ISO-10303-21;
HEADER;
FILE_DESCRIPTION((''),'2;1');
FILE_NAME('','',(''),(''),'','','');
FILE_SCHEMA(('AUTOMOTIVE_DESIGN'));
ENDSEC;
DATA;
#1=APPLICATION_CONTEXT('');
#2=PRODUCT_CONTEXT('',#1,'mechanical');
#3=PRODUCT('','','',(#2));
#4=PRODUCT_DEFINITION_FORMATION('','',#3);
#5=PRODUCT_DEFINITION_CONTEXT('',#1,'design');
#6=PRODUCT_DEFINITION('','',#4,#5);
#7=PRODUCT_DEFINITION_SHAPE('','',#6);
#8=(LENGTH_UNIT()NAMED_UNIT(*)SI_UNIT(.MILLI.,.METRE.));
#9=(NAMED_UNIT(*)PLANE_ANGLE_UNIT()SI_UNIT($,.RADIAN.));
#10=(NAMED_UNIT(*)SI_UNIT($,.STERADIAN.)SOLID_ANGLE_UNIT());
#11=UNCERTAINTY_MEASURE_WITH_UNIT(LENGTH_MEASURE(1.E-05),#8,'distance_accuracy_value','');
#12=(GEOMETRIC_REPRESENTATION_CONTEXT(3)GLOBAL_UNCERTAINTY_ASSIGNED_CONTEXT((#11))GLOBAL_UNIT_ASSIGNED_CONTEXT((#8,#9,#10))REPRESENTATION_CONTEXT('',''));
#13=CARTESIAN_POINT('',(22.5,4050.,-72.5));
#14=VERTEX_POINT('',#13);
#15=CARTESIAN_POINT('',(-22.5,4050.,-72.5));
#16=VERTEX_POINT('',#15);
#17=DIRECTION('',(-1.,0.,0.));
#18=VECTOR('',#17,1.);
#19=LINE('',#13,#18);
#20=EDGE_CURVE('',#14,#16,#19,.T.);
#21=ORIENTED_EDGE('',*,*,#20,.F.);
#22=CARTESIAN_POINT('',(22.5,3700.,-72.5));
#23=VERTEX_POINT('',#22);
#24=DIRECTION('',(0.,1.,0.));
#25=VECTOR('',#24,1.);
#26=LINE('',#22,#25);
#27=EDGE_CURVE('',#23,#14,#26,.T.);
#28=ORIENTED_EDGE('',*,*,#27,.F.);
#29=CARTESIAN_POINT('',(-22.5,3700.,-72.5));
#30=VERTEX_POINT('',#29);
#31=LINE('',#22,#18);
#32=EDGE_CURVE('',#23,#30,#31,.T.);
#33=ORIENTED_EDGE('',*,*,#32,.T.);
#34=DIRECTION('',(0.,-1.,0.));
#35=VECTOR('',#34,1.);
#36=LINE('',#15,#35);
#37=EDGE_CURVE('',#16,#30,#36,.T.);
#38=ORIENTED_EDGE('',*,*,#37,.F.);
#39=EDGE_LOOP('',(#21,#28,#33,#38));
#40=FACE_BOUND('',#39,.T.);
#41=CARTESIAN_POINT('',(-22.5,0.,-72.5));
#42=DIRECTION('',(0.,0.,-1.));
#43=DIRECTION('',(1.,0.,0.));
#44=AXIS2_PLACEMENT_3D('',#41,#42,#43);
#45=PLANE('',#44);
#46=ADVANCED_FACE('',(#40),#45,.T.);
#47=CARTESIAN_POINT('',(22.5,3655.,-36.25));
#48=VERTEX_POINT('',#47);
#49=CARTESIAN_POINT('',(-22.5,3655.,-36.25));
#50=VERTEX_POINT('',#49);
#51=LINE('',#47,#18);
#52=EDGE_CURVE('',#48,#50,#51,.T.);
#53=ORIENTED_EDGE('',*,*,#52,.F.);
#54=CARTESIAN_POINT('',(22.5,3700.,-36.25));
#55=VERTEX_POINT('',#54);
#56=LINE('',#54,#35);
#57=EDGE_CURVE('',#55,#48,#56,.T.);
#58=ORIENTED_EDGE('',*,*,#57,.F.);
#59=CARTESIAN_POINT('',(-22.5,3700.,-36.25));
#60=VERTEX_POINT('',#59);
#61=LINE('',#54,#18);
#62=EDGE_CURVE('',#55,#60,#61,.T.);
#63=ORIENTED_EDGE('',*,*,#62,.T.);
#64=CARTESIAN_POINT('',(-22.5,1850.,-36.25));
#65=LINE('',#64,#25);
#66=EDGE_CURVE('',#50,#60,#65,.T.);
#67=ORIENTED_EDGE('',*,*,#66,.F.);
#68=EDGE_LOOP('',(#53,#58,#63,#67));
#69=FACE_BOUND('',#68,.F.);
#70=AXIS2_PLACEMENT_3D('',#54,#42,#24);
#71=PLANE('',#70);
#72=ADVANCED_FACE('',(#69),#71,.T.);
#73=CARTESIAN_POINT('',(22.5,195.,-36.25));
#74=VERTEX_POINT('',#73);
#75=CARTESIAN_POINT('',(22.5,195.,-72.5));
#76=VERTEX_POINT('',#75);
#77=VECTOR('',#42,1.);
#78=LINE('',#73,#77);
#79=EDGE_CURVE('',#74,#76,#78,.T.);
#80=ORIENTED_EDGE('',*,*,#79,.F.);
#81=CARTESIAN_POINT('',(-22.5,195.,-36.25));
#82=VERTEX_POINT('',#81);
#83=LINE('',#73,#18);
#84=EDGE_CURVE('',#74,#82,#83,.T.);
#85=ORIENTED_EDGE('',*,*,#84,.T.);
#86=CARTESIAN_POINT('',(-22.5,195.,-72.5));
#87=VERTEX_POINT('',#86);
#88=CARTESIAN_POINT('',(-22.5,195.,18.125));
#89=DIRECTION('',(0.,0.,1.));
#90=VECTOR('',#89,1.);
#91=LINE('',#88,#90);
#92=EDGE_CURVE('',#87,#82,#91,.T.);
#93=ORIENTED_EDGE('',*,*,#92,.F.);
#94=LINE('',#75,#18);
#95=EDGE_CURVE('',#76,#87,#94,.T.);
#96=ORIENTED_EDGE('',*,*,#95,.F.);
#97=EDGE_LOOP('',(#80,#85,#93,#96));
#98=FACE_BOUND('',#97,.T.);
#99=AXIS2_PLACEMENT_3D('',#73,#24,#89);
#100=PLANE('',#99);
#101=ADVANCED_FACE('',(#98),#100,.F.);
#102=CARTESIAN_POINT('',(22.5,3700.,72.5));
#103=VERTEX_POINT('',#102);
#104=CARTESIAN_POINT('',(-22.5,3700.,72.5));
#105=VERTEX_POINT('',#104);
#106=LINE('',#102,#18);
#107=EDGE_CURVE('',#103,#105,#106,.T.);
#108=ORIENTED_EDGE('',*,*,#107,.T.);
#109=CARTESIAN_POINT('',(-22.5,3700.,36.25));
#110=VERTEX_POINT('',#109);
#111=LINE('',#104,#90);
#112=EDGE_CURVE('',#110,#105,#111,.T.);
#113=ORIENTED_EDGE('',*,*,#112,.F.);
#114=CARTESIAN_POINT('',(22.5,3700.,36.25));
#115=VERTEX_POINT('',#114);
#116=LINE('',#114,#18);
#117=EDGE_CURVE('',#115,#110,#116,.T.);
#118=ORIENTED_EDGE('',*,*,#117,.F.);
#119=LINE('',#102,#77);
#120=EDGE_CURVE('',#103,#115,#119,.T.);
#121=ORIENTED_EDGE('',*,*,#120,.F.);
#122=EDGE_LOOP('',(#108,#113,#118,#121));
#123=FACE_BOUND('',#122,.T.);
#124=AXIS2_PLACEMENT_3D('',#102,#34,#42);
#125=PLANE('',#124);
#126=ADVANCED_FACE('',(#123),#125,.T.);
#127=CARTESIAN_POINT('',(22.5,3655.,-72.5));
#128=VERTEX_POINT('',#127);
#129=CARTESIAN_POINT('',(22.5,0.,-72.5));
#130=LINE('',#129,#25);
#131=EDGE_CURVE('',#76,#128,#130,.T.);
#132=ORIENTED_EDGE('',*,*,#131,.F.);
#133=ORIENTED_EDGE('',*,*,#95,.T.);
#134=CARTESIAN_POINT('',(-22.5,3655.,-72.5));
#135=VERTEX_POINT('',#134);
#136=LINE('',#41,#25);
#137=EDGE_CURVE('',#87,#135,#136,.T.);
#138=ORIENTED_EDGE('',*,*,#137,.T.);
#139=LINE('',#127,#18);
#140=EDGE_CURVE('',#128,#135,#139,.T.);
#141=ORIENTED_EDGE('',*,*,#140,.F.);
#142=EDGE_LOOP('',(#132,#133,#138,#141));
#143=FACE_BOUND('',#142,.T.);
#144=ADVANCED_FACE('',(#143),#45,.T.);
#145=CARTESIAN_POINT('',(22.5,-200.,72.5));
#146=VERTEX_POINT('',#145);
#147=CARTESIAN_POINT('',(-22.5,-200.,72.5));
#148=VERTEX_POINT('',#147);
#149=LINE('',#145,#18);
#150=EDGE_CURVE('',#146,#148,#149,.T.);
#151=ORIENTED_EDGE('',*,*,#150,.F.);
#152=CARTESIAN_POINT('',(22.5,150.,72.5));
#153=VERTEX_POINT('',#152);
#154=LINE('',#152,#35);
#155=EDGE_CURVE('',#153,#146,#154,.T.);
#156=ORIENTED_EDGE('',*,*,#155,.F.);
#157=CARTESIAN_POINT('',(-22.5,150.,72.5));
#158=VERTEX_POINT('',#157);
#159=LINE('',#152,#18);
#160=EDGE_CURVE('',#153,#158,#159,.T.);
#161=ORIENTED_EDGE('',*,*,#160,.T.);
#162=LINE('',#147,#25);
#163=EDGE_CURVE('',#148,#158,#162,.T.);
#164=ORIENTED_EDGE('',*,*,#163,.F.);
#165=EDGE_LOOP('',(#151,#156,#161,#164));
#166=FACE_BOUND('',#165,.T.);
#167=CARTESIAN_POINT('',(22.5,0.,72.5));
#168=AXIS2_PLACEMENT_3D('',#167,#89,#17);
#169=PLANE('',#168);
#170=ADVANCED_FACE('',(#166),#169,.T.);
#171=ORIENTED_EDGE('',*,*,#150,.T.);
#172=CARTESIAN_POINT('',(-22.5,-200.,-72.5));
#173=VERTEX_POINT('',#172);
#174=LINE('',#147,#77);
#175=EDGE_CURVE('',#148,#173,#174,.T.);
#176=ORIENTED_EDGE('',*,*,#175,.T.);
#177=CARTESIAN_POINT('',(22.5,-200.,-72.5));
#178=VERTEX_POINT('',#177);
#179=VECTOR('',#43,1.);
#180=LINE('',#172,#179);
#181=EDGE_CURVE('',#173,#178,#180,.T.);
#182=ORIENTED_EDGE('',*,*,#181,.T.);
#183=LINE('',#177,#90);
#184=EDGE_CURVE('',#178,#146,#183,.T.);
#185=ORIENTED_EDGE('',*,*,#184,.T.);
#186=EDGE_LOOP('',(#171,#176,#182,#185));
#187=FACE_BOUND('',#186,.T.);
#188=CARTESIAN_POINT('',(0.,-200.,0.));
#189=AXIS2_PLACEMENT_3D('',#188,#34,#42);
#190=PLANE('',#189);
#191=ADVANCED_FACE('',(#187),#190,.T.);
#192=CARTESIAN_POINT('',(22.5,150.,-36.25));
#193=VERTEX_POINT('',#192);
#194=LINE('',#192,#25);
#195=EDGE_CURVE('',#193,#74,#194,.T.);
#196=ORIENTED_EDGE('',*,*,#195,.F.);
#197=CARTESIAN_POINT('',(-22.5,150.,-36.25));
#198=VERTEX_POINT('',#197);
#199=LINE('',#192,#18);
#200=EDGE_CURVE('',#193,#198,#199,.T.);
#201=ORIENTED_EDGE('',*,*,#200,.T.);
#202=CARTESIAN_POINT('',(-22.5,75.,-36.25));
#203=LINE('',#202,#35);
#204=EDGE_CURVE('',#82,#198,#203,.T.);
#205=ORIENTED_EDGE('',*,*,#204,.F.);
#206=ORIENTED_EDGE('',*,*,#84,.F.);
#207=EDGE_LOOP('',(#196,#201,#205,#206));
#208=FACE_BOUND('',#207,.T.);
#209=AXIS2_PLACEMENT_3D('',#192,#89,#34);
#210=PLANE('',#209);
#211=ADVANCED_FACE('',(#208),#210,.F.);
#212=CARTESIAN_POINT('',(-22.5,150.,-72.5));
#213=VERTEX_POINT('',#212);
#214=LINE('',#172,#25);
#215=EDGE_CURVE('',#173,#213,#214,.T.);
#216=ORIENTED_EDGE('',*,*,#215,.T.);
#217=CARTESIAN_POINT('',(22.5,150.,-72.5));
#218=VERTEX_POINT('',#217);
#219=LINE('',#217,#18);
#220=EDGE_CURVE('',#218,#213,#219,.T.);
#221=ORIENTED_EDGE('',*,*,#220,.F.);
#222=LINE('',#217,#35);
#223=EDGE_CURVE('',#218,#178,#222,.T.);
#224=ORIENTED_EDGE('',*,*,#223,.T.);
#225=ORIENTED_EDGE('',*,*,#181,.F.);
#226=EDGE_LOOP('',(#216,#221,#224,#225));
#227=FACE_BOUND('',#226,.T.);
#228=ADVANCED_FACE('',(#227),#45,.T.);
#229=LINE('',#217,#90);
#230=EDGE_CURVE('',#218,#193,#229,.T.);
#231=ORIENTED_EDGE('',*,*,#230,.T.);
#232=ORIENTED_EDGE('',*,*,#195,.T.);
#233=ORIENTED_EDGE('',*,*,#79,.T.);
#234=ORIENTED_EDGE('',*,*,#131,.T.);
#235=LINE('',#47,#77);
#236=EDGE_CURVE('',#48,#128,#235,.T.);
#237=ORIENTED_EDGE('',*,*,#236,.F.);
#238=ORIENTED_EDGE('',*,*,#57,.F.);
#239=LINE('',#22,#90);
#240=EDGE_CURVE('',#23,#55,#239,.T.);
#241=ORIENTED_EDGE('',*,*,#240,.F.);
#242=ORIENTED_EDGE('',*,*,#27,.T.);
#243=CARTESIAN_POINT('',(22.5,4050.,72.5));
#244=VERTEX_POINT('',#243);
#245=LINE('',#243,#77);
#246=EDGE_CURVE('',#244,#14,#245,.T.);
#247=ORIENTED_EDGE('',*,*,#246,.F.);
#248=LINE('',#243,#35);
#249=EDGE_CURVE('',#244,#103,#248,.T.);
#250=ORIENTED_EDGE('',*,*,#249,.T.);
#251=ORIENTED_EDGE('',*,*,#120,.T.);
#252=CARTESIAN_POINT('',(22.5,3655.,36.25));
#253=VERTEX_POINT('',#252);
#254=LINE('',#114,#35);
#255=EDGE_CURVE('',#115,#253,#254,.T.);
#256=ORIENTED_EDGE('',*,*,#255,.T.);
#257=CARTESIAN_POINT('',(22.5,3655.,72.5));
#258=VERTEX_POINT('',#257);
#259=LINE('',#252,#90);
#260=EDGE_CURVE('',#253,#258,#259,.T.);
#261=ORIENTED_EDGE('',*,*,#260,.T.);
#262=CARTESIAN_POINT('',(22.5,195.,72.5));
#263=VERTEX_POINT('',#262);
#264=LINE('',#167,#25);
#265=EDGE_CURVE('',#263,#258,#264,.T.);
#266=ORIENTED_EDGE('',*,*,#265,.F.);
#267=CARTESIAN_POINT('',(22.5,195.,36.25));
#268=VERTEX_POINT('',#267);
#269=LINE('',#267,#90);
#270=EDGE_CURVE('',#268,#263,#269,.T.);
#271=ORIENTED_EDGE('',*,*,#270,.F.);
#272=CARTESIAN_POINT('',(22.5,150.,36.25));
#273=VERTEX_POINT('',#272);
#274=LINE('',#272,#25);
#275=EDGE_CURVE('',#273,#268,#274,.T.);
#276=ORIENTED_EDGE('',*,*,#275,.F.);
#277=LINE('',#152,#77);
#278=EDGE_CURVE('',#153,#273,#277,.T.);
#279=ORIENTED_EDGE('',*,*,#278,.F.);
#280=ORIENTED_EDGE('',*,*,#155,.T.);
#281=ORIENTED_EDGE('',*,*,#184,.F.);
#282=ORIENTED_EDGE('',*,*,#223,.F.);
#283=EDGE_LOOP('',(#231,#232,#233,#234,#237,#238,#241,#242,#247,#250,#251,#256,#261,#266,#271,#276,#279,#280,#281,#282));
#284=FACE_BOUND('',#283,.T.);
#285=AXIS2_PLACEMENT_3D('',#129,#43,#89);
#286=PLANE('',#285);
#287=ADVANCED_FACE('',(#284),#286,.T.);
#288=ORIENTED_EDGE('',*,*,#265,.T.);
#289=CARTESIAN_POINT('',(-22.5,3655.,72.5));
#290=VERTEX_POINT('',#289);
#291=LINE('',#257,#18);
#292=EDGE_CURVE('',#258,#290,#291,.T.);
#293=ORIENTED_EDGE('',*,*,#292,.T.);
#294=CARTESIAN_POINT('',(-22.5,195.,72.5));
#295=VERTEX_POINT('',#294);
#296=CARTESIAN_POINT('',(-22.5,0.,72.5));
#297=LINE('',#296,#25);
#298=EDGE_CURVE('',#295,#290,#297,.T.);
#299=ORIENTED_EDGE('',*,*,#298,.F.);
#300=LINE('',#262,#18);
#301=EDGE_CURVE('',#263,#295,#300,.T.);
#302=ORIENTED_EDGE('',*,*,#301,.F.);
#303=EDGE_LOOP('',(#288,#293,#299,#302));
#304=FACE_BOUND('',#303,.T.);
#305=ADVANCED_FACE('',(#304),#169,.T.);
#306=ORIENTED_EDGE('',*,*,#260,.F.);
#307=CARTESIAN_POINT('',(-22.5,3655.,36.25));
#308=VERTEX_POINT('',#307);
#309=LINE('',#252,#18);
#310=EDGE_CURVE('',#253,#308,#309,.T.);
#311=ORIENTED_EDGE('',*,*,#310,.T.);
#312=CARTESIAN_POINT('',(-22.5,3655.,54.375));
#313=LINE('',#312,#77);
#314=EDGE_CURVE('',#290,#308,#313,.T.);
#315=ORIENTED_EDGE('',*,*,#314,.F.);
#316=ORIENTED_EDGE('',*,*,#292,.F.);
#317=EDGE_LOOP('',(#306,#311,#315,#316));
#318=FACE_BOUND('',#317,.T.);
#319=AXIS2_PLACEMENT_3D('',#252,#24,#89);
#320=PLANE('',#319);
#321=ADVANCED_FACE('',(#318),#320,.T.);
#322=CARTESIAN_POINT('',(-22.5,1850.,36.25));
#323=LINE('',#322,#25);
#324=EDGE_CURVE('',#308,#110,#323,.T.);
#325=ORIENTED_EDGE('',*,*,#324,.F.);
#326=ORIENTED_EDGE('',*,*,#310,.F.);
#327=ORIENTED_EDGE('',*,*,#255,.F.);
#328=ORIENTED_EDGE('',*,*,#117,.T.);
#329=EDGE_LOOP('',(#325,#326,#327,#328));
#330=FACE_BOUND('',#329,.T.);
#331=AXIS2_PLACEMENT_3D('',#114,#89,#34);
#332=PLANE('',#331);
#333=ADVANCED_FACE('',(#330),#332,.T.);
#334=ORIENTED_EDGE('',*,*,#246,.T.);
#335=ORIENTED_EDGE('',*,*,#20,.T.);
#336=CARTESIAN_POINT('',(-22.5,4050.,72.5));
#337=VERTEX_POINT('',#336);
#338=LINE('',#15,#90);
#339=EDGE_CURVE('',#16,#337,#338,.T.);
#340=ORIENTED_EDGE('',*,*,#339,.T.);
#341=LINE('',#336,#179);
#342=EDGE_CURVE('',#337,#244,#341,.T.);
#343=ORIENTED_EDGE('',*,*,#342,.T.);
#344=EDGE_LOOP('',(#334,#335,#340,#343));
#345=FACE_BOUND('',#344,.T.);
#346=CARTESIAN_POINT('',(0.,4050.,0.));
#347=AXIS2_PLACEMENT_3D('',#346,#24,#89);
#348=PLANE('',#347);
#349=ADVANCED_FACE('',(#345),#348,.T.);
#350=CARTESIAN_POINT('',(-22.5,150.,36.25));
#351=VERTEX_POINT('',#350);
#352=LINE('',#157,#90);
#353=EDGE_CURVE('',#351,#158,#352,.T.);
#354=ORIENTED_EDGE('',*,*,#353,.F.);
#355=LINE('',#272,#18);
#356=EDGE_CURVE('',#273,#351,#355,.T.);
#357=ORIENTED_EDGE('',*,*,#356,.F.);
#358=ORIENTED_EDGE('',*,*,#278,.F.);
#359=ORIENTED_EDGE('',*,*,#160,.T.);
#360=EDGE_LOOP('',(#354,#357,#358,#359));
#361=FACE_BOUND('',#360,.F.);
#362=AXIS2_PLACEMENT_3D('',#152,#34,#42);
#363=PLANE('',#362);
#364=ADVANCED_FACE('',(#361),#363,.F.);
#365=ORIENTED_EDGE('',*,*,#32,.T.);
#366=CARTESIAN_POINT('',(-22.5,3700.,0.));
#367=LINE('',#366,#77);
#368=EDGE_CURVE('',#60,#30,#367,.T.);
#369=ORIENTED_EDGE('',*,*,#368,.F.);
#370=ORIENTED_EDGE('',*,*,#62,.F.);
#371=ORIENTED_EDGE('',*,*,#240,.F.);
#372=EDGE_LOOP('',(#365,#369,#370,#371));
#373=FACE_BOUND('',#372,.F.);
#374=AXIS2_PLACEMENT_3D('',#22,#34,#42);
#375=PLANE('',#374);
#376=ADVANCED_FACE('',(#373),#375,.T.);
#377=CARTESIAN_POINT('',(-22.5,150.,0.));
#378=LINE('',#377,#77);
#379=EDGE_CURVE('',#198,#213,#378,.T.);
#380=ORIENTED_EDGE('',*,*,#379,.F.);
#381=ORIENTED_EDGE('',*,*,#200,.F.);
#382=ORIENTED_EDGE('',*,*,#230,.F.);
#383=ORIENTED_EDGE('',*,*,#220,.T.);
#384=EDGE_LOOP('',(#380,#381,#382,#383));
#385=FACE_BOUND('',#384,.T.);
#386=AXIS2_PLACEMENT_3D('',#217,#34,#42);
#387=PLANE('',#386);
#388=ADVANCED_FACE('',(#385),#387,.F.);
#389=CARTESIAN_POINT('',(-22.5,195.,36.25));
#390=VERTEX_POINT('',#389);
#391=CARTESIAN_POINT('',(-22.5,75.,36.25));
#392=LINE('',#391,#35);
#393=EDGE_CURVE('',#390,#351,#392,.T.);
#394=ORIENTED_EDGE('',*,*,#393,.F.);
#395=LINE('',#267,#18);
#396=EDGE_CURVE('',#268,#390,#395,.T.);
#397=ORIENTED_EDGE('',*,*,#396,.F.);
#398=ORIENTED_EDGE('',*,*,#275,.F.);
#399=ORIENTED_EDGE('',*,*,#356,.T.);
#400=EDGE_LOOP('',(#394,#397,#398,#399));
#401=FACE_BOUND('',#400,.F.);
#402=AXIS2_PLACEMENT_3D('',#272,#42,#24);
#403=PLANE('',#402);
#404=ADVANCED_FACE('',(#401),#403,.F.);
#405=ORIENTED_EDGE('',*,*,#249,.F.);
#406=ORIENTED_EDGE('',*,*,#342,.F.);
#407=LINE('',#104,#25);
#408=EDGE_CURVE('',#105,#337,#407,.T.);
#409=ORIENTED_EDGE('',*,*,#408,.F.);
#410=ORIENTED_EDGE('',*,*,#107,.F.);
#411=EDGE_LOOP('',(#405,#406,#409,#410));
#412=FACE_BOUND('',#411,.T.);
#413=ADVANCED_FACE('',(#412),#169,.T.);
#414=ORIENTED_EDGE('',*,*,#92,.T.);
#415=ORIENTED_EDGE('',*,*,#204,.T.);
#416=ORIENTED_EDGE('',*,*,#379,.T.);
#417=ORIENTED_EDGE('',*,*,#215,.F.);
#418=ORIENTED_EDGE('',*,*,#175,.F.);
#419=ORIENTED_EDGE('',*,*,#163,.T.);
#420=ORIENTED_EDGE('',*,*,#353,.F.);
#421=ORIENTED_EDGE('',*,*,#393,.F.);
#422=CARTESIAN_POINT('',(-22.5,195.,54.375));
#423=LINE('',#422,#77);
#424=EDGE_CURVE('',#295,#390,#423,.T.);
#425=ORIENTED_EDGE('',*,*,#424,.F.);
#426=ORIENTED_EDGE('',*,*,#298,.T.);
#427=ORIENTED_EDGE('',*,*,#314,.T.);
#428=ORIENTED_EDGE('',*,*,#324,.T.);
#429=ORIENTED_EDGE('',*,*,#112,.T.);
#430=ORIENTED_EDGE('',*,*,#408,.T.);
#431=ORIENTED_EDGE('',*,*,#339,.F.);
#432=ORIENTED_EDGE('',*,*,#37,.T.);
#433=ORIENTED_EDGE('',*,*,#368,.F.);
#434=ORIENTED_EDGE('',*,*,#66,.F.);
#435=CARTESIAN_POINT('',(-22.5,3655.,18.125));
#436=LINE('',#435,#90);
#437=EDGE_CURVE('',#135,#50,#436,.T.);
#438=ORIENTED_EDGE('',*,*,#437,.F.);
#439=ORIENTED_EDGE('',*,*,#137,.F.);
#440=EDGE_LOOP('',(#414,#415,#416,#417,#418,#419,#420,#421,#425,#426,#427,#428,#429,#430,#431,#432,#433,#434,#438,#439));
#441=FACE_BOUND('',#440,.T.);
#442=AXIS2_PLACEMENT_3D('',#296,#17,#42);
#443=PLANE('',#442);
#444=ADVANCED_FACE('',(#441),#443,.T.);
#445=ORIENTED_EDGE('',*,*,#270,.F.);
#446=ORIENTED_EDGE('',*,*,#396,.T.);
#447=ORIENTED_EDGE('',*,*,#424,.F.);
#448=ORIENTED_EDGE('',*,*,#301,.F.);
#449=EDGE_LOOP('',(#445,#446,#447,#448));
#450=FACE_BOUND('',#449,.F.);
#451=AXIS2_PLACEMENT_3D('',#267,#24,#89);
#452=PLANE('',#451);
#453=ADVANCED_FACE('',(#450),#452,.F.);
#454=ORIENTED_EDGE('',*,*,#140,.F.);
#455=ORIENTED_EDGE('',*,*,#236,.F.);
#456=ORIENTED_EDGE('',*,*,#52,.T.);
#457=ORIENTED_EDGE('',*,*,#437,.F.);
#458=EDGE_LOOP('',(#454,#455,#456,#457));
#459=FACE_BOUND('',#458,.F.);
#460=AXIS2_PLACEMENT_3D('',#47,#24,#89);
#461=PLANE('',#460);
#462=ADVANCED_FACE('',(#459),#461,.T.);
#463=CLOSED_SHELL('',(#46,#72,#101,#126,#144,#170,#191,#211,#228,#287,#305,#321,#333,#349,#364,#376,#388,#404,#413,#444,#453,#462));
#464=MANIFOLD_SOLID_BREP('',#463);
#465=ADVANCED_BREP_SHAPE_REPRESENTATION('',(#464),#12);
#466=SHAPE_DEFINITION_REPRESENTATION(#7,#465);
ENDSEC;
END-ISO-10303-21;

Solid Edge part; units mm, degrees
sketch "Sketch1" plane through (0, 0, 0) normal (0, -1, 0) x (1, 0, 0)
  line L0 (-22.5, -72.5) -> (22.5, -72.5)
  line L1 (22.5, -72.5) -> (22.5, 72.5)
  line L2 (22.5, 72.5) -> (-22.5, 72.5)
  line L3 (-22.5, 72.5) -> (-22.5, -72.5)
extrude "Protrusion1" add sketch "Sketch1" against normal blind 3850
sketch "Sketch2" plane through (22.5, 1925, 0) normal (1, 0, 0) x (0, 1, 0)
  line L0 (1775, 72.5) -> (1775, 36.25)
  line L1 (1775, 36.25) -> (1730, 36.25)
  line L2 (1730, 36.25) -> (1730, 72.5)
  line L3 (1730, 72.5) -> (1775, 72.5)
  line L4 (-1775, 72.5) -> (-1775, 36.25)
  line L5 (-1775, 36.25) -> (-1730, 36.25)
  line L6 (-1730, 36.25) -> (-1730, 72.5)
  line L7 (-1730, 72.5) -> (-1775, 72.5)
extrude "ExtrudedCutout_1" cut sketch "Sketch2" against normal blind 86.6929
mirror "Mirror1" about plane through (0, 0, 0) normal (0, 0, -1) of "ExtrudedCutout_1"
sketch "Sketch3" plane through (0, 3850, 0) normal (0, 1, 0) x (-1, 0, 0)
  line L0 (-22.5, -72.5) -> (22.5, -72.5)
  line L1 (22.5, -72.5) -> (22.5, 72.5)
  line L2 (22.5, 72.5) -> (-22.5, 72.5)
  line L3 (-22.5, 72.5) -> (-22.5, -72.5)
extrude "ExtrudedProtrusion_2" add sketch "Sketch3" along normal blind 200
sketch "Sketch4" plane through (0, 0, 0) normal (0, -1, 0) x (1, 0, 0)
  line L0 (-22.5, -72.5) -> (22.5, -72.5)
  line L1 (22.5, -72.5) -> (22.5, 72.5)
  line L2 (22.5, 72.5) -> (-22.5, 72.5)
  line L3 (-22.5, 72.5) -> (-22.5, -72.5)
extrude "ExtrudedProtrusion_3" add sketch "Sketch4" along normal blind 200
